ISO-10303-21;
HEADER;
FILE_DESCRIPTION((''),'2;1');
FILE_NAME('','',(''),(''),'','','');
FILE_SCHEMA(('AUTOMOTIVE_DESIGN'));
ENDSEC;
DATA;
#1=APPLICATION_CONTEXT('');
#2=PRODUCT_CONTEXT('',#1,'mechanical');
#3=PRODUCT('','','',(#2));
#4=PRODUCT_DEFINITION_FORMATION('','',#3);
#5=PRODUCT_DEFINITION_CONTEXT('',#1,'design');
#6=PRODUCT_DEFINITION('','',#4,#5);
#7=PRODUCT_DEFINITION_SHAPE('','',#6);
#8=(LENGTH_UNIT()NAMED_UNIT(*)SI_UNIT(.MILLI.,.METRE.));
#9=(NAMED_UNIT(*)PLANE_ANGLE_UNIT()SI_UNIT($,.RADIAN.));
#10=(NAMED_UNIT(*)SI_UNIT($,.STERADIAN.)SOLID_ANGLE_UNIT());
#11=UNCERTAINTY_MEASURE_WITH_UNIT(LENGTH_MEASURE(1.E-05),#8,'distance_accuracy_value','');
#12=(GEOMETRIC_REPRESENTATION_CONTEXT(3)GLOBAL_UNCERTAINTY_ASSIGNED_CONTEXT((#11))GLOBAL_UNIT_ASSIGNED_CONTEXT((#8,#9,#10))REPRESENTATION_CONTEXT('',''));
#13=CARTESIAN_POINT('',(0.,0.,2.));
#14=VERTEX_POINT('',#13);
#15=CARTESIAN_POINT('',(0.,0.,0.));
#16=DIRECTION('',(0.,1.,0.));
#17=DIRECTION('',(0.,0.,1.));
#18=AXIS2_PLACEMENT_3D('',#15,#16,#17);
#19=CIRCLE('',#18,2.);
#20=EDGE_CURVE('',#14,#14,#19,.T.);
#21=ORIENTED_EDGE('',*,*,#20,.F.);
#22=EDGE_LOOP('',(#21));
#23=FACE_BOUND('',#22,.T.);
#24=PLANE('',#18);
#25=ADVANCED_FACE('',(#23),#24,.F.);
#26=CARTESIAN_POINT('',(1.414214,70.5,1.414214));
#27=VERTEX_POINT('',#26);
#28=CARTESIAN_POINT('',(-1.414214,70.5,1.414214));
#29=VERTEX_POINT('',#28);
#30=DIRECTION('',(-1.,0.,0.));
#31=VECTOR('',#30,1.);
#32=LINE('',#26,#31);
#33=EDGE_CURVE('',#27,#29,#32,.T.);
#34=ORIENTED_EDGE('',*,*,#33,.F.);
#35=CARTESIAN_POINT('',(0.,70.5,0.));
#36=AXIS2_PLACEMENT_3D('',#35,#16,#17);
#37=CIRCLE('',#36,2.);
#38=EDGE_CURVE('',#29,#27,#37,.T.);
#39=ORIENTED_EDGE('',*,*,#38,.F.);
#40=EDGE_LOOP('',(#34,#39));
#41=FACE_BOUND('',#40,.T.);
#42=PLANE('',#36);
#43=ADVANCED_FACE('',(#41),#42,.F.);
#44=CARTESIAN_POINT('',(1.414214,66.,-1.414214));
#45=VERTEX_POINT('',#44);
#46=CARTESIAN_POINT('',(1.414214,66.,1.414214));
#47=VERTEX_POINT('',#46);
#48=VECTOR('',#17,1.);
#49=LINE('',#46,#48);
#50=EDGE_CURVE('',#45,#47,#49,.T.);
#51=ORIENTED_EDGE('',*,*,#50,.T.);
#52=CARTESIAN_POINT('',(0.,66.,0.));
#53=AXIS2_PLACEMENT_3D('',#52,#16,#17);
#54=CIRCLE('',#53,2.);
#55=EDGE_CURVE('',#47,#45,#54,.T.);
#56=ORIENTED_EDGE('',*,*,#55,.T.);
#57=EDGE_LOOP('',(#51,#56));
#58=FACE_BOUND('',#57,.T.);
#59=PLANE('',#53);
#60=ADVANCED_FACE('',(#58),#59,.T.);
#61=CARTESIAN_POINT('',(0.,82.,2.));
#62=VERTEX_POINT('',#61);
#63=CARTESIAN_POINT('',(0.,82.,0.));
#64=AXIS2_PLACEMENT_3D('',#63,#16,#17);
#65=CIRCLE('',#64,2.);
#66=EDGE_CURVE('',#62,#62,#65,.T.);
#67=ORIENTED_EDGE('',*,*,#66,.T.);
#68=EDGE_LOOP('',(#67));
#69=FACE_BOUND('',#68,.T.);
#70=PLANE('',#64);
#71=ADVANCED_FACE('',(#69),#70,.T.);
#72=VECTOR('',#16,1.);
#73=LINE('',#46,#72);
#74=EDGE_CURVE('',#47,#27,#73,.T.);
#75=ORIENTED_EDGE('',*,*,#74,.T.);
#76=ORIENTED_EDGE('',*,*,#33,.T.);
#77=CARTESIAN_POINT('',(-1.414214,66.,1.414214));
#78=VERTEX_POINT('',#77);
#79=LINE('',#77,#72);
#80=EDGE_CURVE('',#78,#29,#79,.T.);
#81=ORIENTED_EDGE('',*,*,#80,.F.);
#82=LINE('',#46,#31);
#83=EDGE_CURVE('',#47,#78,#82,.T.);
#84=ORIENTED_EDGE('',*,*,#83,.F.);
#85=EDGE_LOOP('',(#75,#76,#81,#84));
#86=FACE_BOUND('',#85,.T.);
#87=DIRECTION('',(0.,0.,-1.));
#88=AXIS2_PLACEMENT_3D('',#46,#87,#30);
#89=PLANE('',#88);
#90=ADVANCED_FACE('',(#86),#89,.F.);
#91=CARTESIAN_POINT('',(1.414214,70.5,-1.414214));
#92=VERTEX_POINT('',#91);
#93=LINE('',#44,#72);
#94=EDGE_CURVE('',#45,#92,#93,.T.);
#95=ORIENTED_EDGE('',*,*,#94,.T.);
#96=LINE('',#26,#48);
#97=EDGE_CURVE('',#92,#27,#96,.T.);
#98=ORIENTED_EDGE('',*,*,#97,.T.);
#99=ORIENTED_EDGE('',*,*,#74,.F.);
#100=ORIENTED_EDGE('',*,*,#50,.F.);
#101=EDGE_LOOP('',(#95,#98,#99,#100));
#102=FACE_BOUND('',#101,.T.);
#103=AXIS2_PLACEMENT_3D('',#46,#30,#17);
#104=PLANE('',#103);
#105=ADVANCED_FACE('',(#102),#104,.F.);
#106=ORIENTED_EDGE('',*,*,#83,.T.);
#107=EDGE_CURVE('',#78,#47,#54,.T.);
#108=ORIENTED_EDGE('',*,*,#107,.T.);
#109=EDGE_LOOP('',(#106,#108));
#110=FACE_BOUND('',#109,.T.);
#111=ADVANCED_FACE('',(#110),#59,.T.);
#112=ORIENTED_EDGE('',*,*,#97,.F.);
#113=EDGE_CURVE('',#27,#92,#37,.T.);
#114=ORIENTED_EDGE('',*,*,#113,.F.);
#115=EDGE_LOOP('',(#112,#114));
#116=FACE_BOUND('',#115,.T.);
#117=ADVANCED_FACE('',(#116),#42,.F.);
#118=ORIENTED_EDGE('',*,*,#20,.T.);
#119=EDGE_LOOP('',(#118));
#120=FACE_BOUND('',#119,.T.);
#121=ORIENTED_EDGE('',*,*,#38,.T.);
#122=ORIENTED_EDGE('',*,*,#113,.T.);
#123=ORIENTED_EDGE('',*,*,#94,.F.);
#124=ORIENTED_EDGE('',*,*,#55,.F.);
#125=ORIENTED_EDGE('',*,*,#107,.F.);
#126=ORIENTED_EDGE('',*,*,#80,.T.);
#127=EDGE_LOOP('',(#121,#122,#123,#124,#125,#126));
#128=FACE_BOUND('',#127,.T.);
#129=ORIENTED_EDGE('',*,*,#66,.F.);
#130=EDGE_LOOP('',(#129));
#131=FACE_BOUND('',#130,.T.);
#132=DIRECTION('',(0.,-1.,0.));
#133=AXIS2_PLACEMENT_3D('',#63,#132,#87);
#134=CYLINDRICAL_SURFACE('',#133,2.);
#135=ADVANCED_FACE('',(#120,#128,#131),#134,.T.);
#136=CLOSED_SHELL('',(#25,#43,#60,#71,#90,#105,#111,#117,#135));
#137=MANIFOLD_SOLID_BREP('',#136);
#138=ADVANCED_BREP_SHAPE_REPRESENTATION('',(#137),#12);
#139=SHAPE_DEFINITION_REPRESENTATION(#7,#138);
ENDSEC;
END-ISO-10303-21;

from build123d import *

# Parameters (mm, degrees)
CROQUIS1_R              = 2
SALIENTE_EXTRUIR1_DEPTH = 82
CORTAR_EXTRUIR1_DEPTH   = 4.5


with BuildPart() as part:
    # Croquis1 → Saliente-Extruir1 (new body)
    with BuildSketch(Plane(origin=(0, 0, 0), x_dir=(1, 0, 0), z_dir=(0, 1, 0))):
        with Locations(Location((0, 0, 0), (0, 0, 270))):
            Circle(CROQUIS1_R)
    extrude(amount=SALIENTE_EXTRUIR1_DEPTH)

    # Croquis2 → Cortar-Extruir1 (cut)
    with BuildSketch(Plane(origin=(0, 70.5, 0), x_dir=(1, 0, 0), z_dir=(0, 1, 0))):
        Polygon((2, -2), (-1.414213562, -2), (-1.414213562, -1.414213562), (1.414213562, -1.414213562), (1.414213562, 1.414213562), (2, 1.414213562), align=None)
    extrude(amount=-CORTAR_EXTRUIR1_DEPTH, mode=Mode.SUBTRACT)


solid = part.part
